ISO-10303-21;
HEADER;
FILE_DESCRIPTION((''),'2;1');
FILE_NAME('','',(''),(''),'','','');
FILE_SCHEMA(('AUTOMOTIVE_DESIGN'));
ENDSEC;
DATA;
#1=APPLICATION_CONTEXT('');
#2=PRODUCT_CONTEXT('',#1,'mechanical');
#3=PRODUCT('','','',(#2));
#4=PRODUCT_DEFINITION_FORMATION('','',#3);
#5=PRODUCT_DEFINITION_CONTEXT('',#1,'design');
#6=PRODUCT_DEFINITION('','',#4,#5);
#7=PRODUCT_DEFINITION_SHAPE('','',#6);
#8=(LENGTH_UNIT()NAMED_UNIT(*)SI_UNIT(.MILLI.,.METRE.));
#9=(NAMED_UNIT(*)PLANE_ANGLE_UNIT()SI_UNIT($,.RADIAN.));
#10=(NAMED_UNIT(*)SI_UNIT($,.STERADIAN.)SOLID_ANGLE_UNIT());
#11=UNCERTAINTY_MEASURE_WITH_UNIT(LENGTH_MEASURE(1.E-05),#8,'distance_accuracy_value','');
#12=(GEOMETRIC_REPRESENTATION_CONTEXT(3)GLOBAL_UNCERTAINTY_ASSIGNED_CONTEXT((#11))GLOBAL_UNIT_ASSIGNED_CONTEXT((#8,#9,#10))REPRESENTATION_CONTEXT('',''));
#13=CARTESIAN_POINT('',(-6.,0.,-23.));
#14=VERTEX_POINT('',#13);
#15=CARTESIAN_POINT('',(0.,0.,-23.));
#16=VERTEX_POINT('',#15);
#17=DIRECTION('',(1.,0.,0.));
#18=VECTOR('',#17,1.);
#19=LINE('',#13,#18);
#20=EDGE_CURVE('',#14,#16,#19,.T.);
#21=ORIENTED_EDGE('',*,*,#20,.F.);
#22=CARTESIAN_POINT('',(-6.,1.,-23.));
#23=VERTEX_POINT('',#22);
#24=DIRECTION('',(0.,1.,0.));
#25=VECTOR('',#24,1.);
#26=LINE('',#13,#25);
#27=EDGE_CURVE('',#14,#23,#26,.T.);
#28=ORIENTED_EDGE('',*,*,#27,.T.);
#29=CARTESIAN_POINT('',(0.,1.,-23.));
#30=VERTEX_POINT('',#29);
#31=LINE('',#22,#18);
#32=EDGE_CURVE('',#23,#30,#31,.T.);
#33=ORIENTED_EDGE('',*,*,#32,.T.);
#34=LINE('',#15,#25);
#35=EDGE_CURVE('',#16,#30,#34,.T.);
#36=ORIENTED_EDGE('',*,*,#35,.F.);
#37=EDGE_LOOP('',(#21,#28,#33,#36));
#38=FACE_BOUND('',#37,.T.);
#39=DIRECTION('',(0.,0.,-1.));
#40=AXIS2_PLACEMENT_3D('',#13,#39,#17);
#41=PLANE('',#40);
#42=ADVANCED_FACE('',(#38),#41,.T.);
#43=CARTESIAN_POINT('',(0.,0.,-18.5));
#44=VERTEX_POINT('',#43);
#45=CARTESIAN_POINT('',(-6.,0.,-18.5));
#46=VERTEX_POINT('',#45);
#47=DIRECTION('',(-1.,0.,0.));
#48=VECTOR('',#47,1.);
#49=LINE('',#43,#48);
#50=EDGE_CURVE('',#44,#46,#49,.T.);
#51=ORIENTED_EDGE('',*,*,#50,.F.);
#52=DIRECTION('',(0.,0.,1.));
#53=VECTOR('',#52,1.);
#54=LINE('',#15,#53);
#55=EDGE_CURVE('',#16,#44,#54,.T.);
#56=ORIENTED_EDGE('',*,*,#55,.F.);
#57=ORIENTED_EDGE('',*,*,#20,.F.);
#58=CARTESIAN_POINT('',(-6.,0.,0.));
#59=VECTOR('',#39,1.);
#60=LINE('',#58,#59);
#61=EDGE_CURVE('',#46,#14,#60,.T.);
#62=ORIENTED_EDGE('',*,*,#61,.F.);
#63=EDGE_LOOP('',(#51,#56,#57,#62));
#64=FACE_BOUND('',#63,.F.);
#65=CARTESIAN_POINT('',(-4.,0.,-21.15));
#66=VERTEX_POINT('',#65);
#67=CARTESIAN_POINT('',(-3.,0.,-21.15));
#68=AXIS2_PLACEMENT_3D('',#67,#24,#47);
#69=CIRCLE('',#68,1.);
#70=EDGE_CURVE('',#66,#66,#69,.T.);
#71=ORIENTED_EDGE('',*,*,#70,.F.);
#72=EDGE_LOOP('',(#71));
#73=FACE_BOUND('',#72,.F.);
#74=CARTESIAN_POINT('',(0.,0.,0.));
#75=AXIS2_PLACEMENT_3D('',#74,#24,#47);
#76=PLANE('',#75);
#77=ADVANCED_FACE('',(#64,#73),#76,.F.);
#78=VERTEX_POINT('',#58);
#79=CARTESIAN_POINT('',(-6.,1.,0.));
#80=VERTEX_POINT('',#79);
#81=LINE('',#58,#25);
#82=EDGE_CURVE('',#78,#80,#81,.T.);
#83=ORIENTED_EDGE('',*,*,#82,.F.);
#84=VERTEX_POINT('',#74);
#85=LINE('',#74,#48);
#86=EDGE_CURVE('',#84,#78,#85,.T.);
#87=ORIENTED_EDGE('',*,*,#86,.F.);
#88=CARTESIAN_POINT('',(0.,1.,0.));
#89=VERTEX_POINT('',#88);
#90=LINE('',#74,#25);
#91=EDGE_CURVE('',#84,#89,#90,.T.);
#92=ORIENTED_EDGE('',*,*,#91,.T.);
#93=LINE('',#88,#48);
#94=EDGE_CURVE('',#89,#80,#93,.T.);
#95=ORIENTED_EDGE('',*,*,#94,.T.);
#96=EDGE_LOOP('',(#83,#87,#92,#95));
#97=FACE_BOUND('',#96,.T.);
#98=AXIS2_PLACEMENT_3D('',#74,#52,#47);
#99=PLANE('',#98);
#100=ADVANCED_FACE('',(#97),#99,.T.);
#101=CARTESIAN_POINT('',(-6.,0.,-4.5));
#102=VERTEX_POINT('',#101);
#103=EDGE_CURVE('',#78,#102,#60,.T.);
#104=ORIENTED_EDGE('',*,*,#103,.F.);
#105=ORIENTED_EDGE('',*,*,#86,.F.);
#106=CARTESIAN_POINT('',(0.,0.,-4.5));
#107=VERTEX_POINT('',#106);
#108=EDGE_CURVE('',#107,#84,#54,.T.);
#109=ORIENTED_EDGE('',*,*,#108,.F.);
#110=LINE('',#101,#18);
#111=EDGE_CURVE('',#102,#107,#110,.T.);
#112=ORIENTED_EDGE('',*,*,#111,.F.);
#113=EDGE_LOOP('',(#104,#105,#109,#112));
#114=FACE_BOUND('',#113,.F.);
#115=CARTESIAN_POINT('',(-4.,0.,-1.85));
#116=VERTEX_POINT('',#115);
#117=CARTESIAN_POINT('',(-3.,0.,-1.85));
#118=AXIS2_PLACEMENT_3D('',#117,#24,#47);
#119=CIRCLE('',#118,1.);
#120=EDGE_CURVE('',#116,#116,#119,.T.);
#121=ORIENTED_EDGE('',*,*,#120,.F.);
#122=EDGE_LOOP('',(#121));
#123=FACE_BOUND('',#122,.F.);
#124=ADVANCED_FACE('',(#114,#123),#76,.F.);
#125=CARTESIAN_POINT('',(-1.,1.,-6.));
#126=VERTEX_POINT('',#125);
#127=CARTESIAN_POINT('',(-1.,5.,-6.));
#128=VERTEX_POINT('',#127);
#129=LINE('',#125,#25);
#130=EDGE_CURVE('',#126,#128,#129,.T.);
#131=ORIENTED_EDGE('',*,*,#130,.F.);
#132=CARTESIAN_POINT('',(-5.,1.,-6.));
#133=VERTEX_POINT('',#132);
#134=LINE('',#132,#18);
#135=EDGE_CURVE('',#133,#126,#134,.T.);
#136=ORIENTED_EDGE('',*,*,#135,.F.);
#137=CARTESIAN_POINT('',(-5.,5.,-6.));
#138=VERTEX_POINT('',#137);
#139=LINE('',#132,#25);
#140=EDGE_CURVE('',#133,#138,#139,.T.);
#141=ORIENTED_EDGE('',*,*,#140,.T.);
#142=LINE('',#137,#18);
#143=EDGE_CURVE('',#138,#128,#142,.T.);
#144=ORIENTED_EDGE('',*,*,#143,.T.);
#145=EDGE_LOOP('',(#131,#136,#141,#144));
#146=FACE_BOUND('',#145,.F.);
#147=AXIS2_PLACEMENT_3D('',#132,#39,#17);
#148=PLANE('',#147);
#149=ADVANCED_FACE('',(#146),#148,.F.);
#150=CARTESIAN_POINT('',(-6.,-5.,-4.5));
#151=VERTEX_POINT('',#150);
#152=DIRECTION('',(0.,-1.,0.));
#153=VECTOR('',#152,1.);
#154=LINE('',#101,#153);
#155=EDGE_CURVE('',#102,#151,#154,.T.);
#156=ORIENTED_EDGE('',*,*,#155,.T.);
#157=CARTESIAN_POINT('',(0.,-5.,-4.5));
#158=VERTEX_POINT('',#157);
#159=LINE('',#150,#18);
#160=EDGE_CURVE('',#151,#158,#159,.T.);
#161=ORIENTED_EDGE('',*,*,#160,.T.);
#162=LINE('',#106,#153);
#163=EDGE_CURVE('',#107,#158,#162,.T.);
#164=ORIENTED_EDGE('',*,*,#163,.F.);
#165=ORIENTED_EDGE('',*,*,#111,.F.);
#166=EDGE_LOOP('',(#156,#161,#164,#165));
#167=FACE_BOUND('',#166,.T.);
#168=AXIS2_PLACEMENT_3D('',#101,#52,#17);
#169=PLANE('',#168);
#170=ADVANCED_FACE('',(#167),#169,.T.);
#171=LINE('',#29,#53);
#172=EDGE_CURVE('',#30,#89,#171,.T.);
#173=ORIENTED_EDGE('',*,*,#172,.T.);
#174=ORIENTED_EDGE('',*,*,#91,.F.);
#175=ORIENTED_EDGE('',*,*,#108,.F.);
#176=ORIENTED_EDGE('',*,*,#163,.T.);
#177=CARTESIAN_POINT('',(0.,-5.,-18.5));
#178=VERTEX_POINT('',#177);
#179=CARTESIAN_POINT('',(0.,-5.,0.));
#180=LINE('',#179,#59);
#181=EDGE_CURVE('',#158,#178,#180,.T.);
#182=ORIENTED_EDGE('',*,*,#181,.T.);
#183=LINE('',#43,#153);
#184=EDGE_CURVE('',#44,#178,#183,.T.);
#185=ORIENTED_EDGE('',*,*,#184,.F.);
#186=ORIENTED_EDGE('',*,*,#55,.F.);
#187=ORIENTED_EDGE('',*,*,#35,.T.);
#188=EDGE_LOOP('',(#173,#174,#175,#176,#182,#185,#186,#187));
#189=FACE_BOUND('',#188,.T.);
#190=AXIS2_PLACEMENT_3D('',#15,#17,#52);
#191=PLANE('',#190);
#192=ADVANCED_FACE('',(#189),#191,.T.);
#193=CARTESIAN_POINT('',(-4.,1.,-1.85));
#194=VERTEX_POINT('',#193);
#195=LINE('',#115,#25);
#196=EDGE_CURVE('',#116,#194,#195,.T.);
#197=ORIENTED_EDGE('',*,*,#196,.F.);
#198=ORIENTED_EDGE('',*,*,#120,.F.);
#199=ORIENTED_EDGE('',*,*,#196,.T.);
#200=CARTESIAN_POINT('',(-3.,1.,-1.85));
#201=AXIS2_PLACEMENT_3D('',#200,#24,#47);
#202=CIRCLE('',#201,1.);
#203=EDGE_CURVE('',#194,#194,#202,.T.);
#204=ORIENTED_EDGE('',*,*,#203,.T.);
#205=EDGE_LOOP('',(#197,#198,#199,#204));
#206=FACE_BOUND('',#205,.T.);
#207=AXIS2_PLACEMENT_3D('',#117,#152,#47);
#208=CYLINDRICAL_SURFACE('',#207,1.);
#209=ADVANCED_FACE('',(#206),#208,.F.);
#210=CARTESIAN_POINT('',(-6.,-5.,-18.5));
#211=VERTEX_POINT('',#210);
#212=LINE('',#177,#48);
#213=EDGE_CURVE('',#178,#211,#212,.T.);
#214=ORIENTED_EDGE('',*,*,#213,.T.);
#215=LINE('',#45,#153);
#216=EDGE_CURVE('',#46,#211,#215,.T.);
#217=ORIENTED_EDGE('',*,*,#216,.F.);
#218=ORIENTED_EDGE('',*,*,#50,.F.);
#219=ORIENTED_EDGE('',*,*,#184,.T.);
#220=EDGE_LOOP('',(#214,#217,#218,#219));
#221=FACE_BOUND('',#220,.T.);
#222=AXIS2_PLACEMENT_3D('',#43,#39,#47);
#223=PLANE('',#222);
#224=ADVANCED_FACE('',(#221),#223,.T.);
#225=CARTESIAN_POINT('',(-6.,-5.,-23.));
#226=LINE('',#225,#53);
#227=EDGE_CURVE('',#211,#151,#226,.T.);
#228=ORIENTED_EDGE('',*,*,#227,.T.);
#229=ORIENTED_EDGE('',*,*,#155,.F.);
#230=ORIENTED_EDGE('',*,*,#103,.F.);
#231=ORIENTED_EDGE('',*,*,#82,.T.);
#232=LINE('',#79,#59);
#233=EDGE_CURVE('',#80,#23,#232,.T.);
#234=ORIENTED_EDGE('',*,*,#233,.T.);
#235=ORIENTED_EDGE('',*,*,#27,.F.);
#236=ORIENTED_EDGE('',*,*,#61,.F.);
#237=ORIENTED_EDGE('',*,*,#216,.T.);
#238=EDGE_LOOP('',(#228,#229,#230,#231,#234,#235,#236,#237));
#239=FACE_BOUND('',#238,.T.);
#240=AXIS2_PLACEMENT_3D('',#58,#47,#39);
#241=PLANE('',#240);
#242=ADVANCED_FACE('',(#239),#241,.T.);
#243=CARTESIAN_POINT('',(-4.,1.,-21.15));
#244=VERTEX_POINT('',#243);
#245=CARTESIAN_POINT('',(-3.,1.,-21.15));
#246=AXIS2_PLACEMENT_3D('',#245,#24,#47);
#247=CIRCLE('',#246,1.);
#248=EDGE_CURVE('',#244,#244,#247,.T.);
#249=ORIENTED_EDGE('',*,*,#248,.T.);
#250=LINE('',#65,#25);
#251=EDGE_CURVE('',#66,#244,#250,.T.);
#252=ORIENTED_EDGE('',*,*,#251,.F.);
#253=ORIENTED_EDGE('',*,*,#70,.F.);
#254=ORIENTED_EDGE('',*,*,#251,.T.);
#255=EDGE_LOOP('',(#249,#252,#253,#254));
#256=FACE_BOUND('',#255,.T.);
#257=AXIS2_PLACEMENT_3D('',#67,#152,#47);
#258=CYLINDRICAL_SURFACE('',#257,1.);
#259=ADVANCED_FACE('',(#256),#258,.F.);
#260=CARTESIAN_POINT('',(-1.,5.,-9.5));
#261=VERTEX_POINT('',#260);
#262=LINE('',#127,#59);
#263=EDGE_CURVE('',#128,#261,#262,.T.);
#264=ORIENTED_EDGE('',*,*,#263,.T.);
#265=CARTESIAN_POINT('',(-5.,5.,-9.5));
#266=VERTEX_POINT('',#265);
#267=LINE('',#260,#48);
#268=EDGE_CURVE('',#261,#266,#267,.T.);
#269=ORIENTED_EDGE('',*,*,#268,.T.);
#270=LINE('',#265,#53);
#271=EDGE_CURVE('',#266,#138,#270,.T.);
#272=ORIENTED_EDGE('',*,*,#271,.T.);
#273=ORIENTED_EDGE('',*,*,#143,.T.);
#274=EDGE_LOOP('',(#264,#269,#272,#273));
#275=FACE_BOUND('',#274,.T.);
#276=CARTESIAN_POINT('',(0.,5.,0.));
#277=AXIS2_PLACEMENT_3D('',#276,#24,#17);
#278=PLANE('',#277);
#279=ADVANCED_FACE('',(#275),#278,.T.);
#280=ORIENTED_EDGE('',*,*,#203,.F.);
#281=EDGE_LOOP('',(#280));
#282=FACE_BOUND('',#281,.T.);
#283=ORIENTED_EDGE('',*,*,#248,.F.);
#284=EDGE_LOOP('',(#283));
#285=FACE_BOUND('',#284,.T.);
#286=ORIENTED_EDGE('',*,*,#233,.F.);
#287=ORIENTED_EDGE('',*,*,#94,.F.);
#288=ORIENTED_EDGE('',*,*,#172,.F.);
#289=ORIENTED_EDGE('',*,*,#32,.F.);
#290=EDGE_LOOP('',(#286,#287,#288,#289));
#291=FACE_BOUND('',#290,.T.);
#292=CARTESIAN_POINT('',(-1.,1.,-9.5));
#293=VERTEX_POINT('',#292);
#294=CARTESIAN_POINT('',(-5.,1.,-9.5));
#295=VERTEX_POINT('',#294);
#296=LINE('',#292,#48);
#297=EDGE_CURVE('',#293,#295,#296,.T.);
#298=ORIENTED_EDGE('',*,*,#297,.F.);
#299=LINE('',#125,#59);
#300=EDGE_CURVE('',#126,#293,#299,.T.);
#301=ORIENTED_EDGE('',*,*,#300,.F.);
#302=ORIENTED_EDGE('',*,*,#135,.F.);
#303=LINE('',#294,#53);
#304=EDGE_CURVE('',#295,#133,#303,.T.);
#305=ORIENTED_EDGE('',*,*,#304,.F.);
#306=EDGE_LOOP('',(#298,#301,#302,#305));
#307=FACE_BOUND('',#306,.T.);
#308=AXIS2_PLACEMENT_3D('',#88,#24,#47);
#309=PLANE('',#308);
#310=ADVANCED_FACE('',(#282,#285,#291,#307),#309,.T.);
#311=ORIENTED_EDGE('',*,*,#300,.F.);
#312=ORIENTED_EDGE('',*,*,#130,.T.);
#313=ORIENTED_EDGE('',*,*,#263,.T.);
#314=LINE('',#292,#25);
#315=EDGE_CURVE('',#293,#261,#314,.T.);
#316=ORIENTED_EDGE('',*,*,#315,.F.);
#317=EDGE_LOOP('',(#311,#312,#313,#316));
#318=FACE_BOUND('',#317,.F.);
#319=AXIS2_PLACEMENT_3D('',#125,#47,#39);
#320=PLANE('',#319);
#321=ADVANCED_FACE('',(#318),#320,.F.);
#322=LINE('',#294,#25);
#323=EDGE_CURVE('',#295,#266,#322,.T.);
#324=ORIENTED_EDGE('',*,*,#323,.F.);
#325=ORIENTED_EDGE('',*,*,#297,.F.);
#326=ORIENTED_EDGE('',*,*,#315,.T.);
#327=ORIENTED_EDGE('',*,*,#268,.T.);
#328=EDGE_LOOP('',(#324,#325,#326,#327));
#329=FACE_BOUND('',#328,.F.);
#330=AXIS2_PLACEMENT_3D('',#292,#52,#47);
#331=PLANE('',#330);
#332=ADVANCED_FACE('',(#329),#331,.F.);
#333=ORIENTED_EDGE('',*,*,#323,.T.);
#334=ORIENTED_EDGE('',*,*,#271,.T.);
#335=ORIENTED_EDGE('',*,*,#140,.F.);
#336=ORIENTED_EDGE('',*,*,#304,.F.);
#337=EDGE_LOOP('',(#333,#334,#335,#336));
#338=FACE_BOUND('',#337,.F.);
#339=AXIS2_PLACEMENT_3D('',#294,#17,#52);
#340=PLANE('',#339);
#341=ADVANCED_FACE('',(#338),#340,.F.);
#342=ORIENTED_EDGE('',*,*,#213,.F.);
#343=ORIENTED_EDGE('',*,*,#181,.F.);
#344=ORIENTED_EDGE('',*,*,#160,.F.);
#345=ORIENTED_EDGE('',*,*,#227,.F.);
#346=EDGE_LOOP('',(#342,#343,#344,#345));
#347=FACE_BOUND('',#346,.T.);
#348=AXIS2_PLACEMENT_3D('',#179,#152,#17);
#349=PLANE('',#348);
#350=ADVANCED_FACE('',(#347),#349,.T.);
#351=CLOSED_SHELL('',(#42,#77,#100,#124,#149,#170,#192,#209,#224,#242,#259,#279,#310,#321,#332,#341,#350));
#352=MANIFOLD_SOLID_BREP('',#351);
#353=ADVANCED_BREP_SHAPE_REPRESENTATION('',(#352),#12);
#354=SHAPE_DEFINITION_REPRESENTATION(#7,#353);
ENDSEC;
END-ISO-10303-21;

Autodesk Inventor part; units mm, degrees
ref_plane "YZ Plane" through (0, 0, 0) normal (1, 0, 0) x (0, 1, 0)
ref_plane "XZ Plane" through (0, 0, 0) normal (0, 1, 0) x (-1, 0, 0)
ref_plane "XY Plane" through (0, 0, 0) normal (0, 0, 1) x (1, 0, 0)
sketch "Sketch1" plane through (0, 0, 0) normal (0, 1, 0) x (-1, 0, 0)
  line L0 (0, 0) -> (6, 0)
  line L1 (6, 0) -> (6, -23)
  line L2 (6, -23) -> (0, -23)
  line L3 (0, -23) -> (0, 0)
  circle A0 centre (3, -1.85) radius 1
  circle A1 centre (3, -21.15) radius 1
  point P0 (3, 0)
  dimension "d0" = 6
  dimension "d1" = 23
  dimension "d2" = 2
  dimension "d3" = 2
  dimension "d4" = 19.3
  dimension "d5" = 1.85
  dimension "d6" = 3
extrude "Extrusion1" add sketch "Sketch1" along normal blind 1
sketch "Sketch2" plane through (0, 0, 0) normal (0, -1, 0) x (1, 0, 0)
  line L0 (-6, -23) -> (-6, 0) projected
  line L1 (0, 0) -> (0, -23) projected
  line L2 (-6, -4.5) -> (0, -4.5)
  line L3 (0, -4.5) -> (0, -18.5)
  line L4 (0, -18.5) -> (-6, -18.5)
  line L5 (-6, -18.5) -> (-6, -4.5)
  line L6 (-6, 0) -> (0, 0) projected
  point P0 (-3, -18.5)
  dimension "d9" = 14
  dimension "d10" = 4.5
extrude "Extrusion2" add sketch "Sketch2" along normal blind 5 contours L0 L2 L1 L4
sketch "Sketch3" plane through (0, 1, 0) normal (0, 1, 0) x (1, 0, 0)
  line L0 (-5, 6) -> (-1, 6)
  line L1 (-1, 6) -> (-1, 9.5)
  line L2 (-1, 9.5) -> (-5, 9.5)
  line L3 (-5, 9.5) -> (-5, 6)
  line L4 (-6, 23) -> (-6, 0) projected
  line L5 (-6, 0) -> (0, 0) projected
  dimension "d13" = 4
  dimension "d14" = 3.5
  dimension "d15" = 1
  dimension "d16" = 6
extrude "Extrusion3" add sketch "Sketch3" along normal blind 4
properties part number "SlideSwitchj"
